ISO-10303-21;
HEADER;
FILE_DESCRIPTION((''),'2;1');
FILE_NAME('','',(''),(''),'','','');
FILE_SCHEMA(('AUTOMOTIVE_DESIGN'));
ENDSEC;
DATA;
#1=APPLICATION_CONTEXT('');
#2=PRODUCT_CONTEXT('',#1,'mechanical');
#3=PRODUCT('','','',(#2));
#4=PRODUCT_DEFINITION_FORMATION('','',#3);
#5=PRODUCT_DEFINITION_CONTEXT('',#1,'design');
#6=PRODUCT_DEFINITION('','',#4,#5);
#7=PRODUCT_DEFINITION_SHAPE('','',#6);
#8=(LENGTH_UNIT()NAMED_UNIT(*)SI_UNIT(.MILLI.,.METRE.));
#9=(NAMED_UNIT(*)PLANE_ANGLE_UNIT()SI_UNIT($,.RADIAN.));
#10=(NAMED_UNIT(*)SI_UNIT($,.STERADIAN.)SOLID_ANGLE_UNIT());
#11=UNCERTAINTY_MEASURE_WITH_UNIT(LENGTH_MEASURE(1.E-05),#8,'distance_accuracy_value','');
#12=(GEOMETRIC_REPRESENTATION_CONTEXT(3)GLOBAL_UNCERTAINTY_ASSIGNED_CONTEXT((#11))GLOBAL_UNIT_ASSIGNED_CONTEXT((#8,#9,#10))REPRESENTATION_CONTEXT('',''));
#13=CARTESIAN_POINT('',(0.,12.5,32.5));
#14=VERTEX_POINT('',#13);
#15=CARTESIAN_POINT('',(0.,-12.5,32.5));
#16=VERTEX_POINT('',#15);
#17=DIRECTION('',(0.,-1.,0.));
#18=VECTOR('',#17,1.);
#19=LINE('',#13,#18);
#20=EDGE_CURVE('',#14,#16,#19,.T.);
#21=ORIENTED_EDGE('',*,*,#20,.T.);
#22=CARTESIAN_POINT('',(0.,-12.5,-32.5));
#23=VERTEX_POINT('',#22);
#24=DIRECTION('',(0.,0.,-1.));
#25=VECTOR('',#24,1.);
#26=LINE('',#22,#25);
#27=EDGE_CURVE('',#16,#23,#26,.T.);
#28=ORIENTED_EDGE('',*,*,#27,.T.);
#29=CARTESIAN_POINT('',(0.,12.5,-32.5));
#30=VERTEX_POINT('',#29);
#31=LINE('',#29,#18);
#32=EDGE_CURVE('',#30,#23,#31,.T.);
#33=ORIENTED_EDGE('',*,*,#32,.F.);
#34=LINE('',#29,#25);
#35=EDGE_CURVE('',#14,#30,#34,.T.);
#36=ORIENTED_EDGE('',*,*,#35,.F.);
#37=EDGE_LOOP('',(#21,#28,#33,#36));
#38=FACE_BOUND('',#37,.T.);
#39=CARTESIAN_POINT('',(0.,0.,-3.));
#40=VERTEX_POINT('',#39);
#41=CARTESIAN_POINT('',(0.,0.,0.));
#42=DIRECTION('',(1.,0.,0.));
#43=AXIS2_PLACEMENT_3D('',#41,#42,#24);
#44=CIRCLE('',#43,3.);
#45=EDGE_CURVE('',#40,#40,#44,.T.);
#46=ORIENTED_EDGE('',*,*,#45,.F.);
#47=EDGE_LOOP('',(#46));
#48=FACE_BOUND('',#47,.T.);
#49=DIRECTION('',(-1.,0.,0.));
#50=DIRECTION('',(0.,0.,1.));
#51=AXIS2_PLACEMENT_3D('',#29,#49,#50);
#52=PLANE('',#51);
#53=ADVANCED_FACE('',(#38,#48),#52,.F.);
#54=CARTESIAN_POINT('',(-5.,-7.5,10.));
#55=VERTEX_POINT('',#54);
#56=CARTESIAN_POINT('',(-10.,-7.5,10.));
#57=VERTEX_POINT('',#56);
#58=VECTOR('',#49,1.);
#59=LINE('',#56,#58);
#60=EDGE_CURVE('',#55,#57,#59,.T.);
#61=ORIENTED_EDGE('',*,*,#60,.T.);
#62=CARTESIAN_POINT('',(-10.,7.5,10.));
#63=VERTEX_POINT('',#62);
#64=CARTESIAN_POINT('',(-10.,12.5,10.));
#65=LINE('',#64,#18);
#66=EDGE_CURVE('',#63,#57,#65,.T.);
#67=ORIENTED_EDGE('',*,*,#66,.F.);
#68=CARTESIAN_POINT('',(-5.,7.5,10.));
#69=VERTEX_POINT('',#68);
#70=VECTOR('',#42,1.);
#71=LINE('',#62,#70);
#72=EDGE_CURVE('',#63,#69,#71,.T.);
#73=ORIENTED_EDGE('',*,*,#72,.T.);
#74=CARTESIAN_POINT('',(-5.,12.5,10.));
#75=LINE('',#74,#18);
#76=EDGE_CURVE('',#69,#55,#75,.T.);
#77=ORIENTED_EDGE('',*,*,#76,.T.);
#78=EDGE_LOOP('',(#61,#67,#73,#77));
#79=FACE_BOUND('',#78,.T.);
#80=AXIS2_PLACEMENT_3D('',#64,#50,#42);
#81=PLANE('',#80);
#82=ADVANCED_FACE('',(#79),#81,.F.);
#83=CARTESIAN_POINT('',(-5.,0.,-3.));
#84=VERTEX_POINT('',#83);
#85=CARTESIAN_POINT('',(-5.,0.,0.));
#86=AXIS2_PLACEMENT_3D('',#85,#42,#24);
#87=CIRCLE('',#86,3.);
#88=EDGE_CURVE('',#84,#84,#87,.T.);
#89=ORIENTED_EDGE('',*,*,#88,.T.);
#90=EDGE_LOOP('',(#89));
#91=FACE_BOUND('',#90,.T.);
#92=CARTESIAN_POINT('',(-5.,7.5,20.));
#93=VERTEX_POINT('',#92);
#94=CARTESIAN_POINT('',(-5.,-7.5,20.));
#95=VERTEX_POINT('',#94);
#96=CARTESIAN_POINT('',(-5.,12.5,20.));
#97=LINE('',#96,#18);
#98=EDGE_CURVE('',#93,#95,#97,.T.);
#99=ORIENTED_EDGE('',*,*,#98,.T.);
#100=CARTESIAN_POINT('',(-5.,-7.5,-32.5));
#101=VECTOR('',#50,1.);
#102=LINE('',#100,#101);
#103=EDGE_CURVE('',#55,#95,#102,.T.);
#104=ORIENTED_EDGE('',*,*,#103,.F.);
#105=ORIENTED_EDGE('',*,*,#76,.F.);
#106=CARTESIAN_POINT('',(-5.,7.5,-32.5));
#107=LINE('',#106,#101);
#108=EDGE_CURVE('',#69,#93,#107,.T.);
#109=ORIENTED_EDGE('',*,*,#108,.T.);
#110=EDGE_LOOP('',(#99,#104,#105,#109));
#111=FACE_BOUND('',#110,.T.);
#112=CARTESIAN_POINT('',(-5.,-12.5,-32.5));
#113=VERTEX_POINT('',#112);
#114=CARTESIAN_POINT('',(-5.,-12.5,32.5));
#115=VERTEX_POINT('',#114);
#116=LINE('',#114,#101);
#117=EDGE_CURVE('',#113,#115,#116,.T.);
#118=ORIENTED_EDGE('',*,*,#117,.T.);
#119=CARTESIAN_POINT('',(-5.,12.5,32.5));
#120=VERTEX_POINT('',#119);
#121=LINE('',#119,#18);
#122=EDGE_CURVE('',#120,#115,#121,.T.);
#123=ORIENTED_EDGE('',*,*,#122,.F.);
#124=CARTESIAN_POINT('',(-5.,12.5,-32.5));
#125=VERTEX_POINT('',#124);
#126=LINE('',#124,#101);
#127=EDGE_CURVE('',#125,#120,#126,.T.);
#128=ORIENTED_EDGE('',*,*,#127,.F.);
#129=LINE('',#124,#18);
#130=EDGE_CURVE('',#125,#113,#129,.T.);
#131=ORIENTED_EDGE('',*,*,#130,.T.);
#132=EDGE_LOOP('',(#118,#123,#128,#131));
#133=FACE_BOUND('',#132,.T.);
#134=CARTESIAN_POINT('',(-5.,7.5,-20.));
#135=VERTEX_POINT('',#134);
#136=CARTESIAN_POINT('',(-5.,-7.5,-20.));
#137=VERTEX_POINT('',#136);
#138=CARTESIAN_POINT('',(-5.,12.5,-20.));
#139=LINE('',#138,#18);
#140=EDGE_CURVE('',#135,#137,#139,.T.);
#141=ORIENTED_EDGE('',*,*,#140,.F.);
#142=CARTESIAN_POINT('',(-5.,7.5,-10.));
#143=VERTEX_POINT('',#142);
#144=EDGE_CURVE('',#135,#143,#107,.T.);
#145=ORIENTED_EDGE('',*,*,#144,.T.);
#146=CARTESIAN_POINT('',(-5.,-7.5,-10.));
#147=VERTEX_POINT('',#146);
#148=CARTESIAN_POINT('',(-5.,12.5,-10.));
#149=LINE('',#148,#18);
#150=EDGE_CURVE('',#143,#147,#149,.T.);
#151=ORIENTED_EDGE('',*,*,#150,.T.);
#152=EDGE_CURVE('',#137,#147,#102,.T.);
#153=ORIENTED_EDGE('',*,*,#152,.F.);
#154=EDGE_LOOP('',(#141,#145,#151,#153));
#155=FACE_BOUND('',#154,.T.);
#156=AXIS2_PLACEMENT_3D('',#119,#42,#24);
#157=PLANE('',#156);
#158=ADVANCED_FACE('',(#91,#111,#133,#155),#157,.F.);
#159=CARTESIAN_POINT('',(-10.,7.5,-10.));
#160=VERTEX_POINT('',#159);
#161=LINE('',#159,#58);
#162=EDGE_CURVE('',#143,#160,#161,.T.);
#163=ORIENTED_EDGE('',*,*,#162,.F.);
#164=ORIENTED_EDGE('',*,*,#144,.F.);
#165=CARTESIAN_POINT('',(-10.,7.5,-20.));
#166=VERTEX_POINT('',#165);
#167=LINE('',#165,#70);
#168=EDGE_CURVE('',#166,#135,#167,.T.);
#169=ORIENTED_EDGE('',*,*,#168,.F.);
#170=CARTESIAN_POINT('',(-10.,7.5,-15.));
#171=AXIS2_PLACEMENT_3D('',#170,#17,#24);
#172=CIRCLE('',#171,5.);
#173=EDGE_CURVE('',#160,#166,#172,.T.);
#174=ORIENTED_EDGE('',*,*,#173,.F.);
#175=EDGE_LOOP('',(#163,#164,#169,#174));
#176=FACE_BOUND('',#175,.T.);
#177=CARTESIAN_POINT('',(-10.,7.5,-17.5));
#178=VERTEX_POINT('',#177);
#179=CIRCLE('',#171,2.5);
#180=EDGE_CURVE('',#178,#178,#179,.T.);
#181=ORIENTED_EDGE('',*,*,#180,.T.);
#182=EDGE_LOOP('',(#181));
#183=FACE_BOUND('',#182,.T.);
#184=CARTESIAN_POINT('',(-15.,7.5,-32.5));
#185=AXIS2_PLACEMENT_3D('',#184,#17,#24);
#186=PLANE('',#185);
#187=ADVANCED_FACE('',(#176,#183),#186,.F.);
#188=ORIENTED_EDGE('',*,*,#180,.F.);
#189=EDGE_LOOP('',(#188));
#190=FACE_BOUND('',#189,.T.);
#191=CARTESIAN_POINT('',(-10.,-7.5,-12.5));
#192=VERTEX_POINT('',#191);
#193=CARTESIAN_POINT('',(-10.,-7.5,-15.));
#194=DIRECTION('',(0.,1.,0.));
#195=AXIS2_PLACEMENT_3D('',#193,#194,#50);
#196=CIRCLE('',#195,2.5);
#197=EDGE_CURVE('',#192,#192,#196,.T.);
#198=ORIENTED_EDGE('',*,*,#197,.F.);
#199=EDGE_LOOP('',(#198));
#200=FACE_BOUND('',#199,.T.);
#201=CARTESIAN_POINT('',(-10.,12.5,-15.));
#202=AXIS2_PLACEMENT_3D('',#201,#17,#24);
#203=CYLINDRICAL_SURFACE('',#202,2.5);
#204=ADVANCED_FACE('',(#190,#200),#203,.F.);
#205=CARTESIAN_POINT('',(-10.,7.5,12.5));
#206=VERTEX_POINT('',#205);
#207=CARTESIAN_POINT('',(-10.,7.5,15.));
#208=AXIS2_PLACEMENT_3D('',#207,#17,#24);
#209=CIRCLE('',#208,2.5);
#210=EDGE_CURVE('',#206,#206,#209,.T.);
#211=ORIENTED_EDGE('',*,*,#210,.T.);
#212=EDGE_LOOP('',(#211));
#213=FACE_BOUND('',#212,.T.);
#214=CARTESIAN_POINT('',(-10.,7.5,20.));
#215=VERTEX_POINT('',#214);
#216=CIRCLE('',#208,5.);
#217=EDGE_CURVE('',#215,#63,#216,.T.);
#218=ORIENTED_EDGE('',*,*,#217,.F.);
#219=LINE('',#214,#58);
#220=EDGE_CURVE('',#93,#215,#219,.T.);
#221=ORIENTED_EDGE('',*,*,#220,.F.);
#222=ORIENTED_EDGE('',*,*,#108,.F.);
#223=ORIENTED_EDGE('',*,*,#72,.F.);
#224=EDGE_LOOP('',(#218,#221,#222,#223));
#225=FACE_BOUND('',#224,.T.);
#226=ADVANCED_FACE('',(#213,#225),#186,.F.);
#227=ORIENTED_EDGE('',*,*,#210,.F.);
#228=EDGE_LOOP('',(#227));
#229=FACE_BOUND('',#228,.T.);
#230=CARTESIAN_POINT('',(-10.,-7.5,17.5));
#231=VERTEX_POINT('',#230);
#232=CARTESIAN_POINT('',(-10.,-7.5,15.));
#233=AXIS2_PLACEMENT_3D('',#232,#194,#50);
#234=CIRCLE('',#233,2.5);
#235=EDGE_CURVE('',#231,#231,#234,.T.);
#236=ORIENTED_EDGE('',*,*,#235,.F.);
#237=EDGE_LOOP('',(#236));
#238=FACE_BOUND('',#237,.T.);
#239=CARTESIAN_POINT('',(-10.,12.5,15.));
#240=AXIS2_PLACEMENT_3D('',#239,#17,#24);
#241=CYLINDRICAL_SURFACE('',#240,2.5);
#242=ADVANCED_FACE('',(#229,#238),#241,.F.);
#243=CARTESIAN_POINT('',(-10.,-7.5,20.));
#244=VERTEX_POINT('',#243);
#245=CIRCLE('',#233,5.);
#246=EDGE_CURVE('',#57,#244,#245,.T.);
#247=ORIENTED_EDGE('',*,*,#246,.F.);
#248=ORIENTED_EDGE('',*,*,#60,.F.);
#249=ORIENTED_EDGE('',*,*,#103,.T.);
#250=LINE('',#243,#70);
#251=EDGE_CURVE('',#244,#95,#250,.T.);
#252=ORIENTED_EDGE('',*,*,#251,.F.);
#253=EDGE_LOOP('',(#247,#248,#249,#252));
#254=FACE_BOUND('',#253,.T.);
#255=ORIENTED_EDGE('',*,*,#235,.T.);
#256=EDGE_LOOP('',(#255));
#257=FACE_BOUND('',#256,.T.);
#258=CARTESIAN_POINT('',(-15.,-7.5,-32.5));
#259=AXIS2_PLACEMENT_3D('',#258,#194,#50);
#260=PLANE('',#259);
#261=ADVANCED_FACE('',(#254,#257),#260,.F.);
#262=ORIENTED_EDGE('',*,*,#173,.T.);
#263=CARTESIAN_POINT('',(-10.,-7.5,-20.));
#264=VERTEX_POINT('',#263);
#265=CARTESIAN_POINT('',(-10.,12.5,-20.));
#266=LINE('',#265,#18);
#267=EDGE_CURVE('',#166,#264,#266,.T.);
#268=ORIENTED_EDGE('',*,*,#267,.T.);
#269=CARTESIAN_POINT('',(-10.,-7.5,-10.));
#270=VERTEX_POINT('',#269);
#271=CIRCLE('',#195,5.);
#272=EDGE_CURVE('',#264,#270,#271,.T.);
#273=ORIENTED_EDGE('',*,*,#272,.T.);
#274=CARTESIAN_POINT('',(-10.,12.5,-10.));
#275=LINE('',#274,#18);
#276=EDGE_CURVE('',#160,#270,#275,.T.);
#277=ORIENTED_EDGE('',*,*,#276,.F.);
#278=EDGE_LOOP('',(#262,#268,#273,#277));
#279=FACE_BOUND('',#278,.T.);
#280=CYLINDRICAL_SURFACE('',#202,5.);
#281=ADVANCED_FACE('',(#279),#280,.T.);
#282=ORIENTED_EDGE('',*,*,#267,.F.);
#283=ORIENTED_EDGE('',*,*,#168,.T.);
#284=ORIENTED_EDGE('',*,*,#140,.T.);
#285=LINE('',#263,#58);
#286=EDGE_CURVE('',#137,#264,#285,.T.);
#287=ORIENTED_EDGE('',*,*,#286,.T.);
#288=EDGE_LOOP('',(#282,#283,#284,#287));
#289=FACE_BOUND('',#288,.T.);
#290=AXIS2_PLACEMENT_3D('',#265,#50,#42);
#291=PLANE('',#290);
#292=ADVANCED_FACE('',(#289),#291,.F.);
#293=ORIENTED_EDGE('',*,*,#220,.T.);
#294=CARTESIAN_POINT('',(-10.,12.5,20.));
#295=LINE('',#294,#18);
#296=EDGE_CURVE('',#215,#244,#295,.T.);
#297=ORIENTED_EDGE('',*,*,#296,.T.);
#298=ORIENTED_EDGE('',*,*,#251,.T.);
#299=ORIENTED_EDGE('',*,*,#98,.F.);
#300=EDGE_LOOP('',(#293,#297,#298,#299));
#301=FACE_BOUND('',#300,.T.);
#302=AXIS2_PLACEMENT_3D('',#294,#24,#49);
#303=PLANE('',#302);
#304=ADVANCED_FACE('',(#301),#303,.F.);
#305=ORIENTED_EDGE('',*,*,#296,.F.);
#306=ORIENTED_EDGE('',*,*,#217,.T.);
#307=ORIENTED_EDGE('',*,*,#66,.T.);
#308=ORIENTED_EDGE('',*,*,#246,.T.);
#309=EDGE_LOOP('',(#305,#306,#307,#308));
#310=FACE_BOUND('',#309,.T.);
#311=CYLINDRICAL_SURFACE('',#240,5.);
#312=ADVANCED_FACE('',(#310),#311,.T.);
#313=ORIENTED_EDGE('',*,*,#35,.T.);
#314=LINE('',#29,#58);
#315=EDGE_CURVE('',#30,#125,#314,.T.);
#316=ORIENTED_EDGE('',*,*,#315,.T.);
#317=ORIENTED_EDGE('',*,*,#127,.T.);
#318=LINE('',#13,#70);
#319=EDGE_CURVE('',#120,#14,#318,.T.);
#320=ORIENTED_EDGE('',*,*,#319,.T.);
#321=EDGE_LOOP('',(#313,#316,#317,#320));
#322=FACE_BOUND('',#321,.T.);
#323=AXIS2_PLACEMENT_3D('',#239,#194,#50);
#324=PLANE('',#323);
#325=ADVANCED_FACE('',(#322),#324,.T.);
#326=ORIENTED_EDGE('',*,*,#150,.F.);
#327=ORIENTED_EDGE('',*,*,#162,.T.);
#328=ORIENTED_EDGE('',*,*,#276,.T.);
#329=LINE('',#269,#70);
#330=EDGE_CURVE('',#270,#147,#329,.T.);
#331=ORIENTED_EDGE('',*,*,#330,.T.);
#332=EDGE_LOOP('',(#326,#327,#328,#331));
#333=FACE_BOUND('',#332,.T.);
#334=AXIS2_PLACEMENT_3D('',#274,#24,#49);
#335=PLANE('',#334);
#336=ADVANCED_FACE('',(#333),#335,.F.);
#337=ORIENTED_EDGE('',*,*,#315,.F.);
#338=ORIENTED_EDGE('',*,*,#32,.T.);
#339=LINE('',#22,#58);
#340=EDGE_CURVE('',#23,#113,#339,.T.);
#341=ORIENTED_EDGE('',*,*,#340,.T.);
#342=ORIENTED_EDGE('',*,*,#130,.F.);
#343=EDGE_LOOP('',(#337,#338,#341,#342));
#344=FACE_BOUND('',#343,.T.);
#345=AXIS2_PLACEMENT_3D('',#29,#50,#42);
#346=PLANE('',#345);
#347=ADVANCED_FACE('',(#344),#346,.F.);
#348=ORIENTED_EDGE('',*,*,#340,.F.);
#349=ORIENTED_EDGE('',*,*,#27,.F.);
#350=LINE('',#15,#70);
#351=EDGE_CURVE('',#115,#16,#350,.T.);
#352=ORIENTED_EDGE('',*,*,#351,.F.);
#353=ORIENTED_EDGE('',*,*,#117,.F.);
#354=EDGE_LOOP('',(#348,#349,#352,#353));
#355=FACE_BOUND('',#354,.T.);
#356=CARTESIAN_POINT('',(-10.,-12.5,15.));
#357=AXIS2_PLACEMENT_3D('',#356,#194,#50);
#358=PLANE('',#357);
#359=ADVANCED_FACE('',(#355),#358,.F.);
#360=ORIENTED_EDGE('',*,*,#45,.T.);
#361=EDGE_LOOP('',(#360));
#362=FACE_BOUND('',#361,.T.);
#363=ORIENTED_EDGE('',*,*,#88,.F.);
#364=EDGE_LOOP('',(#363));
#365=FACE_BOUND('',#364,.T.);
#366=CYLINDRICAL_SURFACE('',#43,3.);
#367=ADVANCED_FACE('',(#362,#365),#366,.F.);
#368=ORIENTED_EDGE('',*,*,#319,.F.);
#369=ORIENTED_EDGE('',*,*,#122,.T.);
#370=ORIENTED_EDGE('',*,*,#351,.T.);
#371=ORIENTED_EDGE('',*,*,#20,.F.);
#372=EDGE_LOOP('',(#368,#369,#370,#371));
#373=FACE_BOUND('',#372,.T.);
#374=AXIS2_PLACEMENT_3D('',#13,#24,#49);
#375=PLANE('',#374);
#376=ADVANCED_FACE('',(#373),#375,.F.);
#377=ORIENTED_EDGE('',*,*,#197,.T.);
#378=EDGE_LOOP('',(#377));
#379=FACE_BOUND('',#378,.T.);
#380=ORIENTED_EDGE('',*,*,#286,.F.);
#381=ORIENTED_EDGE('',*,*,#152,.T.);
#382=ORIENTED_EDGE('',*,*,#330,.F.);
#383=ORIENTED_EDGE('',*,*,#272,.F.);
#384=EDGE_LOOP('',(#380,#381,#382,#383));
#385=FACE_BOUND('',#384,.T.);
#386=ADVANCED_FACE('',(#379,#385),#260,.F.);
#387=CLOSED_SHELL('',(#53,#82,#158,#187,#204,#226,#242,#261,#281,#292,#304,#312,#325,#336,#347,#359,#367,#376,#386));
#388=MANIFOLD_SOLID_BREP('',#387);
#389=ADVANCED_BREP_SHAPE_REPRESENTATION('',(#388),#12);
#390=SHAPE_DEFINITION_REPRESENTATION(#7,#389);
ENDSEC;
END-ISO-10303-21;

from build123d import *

# Parameters (mm, degrees)
SKETCH1_R               = 2.5
BOSS_EXTRUDE1_DEPTH     = 12.5
CUT_EXTRUDE1_DEPTH      = 38.91437722
CUT_EXTRUDE1_DEPTH_BACK = 38.91437722
SKETCH2_W               = 10
SKETCH2_H               = 5
F_6_0MM_DOWEL_HOLE1_D   = 6


with BuildPart() as part:
    # Sketch1 → Boss-Extrude1 (new, symmetric)
    with BuildSketch(Plane(origin=(0, 0, 0), x_dir=(1, 0, 0), z_dir=(0, 1, 0))):
        with BuildLine():
            Line((-10, 10), (-5, 10))
            Line((-5, 10), (-5, -10))
            Line((-5, -10), (-10, -10))
            ThreePointArc((-10, -10), (-15, -15), (-10, -20))
            Line((-10, -20), (-5, -20))
            Line((-5, -20), (-5, -32.5))
            Line((-5, -32.5), (0, -32.5))
            Line((0, -32.5), (0, 32.5))
            Line((0, 32.5), (-5, 32.5))
            Line((-5, 32.5), (-5, 20))
            Line((-5, 20), (-10, 20))
            ThreePointArc((-10, 20), (-15, 15), (-10, 10))
        make_face()
        with Locations(Location((-10, 15, 0), (0, 0, 270))):
            Circle(SKETCH1_R, mode=Mode.SUBTRACT)
        with Locations(Location((-10, -15, 0), (0, 0, 270))):
            Circle(SKETCH1_R, mode=Mode.SUBTRACT)
    extrude(amount=BOSS_EXTRUDE1_DEPTH, both=True)

    # Sketch2 → Cut-Extrude1 (cut, two sides: drawn at the far end of the back side and taken through both)
    with BuildSketch(Plane.XY.offset(-CUT_EXTRUDE1_DEPTH_BACK)):
        with Locations((-10, 10)):
            Rectangle(SKETCH2_W, SKETCH2_H)
        with Locations((-10, -10)):
            Rectangle(SKETCH2_W, SKETCH2_H)
    extrude(amount=CUT_EXTRUDE1_DEPTH + CUT_EXTRUDE1_DEPTH_BACK, mode=Mode.SUBTRACT)

    # Ø6.0mm Dowel Hole1 (through all)
    with Locations(Plane(origin=(0, 0, 0), x_dir=(0, 0, -1), z_dir=(1, 0, 0))):
        with Locations((0, 0)):
            Hole(F_6_0MM_DOWEL_HOLE1_D / 2)


solid = part.part
